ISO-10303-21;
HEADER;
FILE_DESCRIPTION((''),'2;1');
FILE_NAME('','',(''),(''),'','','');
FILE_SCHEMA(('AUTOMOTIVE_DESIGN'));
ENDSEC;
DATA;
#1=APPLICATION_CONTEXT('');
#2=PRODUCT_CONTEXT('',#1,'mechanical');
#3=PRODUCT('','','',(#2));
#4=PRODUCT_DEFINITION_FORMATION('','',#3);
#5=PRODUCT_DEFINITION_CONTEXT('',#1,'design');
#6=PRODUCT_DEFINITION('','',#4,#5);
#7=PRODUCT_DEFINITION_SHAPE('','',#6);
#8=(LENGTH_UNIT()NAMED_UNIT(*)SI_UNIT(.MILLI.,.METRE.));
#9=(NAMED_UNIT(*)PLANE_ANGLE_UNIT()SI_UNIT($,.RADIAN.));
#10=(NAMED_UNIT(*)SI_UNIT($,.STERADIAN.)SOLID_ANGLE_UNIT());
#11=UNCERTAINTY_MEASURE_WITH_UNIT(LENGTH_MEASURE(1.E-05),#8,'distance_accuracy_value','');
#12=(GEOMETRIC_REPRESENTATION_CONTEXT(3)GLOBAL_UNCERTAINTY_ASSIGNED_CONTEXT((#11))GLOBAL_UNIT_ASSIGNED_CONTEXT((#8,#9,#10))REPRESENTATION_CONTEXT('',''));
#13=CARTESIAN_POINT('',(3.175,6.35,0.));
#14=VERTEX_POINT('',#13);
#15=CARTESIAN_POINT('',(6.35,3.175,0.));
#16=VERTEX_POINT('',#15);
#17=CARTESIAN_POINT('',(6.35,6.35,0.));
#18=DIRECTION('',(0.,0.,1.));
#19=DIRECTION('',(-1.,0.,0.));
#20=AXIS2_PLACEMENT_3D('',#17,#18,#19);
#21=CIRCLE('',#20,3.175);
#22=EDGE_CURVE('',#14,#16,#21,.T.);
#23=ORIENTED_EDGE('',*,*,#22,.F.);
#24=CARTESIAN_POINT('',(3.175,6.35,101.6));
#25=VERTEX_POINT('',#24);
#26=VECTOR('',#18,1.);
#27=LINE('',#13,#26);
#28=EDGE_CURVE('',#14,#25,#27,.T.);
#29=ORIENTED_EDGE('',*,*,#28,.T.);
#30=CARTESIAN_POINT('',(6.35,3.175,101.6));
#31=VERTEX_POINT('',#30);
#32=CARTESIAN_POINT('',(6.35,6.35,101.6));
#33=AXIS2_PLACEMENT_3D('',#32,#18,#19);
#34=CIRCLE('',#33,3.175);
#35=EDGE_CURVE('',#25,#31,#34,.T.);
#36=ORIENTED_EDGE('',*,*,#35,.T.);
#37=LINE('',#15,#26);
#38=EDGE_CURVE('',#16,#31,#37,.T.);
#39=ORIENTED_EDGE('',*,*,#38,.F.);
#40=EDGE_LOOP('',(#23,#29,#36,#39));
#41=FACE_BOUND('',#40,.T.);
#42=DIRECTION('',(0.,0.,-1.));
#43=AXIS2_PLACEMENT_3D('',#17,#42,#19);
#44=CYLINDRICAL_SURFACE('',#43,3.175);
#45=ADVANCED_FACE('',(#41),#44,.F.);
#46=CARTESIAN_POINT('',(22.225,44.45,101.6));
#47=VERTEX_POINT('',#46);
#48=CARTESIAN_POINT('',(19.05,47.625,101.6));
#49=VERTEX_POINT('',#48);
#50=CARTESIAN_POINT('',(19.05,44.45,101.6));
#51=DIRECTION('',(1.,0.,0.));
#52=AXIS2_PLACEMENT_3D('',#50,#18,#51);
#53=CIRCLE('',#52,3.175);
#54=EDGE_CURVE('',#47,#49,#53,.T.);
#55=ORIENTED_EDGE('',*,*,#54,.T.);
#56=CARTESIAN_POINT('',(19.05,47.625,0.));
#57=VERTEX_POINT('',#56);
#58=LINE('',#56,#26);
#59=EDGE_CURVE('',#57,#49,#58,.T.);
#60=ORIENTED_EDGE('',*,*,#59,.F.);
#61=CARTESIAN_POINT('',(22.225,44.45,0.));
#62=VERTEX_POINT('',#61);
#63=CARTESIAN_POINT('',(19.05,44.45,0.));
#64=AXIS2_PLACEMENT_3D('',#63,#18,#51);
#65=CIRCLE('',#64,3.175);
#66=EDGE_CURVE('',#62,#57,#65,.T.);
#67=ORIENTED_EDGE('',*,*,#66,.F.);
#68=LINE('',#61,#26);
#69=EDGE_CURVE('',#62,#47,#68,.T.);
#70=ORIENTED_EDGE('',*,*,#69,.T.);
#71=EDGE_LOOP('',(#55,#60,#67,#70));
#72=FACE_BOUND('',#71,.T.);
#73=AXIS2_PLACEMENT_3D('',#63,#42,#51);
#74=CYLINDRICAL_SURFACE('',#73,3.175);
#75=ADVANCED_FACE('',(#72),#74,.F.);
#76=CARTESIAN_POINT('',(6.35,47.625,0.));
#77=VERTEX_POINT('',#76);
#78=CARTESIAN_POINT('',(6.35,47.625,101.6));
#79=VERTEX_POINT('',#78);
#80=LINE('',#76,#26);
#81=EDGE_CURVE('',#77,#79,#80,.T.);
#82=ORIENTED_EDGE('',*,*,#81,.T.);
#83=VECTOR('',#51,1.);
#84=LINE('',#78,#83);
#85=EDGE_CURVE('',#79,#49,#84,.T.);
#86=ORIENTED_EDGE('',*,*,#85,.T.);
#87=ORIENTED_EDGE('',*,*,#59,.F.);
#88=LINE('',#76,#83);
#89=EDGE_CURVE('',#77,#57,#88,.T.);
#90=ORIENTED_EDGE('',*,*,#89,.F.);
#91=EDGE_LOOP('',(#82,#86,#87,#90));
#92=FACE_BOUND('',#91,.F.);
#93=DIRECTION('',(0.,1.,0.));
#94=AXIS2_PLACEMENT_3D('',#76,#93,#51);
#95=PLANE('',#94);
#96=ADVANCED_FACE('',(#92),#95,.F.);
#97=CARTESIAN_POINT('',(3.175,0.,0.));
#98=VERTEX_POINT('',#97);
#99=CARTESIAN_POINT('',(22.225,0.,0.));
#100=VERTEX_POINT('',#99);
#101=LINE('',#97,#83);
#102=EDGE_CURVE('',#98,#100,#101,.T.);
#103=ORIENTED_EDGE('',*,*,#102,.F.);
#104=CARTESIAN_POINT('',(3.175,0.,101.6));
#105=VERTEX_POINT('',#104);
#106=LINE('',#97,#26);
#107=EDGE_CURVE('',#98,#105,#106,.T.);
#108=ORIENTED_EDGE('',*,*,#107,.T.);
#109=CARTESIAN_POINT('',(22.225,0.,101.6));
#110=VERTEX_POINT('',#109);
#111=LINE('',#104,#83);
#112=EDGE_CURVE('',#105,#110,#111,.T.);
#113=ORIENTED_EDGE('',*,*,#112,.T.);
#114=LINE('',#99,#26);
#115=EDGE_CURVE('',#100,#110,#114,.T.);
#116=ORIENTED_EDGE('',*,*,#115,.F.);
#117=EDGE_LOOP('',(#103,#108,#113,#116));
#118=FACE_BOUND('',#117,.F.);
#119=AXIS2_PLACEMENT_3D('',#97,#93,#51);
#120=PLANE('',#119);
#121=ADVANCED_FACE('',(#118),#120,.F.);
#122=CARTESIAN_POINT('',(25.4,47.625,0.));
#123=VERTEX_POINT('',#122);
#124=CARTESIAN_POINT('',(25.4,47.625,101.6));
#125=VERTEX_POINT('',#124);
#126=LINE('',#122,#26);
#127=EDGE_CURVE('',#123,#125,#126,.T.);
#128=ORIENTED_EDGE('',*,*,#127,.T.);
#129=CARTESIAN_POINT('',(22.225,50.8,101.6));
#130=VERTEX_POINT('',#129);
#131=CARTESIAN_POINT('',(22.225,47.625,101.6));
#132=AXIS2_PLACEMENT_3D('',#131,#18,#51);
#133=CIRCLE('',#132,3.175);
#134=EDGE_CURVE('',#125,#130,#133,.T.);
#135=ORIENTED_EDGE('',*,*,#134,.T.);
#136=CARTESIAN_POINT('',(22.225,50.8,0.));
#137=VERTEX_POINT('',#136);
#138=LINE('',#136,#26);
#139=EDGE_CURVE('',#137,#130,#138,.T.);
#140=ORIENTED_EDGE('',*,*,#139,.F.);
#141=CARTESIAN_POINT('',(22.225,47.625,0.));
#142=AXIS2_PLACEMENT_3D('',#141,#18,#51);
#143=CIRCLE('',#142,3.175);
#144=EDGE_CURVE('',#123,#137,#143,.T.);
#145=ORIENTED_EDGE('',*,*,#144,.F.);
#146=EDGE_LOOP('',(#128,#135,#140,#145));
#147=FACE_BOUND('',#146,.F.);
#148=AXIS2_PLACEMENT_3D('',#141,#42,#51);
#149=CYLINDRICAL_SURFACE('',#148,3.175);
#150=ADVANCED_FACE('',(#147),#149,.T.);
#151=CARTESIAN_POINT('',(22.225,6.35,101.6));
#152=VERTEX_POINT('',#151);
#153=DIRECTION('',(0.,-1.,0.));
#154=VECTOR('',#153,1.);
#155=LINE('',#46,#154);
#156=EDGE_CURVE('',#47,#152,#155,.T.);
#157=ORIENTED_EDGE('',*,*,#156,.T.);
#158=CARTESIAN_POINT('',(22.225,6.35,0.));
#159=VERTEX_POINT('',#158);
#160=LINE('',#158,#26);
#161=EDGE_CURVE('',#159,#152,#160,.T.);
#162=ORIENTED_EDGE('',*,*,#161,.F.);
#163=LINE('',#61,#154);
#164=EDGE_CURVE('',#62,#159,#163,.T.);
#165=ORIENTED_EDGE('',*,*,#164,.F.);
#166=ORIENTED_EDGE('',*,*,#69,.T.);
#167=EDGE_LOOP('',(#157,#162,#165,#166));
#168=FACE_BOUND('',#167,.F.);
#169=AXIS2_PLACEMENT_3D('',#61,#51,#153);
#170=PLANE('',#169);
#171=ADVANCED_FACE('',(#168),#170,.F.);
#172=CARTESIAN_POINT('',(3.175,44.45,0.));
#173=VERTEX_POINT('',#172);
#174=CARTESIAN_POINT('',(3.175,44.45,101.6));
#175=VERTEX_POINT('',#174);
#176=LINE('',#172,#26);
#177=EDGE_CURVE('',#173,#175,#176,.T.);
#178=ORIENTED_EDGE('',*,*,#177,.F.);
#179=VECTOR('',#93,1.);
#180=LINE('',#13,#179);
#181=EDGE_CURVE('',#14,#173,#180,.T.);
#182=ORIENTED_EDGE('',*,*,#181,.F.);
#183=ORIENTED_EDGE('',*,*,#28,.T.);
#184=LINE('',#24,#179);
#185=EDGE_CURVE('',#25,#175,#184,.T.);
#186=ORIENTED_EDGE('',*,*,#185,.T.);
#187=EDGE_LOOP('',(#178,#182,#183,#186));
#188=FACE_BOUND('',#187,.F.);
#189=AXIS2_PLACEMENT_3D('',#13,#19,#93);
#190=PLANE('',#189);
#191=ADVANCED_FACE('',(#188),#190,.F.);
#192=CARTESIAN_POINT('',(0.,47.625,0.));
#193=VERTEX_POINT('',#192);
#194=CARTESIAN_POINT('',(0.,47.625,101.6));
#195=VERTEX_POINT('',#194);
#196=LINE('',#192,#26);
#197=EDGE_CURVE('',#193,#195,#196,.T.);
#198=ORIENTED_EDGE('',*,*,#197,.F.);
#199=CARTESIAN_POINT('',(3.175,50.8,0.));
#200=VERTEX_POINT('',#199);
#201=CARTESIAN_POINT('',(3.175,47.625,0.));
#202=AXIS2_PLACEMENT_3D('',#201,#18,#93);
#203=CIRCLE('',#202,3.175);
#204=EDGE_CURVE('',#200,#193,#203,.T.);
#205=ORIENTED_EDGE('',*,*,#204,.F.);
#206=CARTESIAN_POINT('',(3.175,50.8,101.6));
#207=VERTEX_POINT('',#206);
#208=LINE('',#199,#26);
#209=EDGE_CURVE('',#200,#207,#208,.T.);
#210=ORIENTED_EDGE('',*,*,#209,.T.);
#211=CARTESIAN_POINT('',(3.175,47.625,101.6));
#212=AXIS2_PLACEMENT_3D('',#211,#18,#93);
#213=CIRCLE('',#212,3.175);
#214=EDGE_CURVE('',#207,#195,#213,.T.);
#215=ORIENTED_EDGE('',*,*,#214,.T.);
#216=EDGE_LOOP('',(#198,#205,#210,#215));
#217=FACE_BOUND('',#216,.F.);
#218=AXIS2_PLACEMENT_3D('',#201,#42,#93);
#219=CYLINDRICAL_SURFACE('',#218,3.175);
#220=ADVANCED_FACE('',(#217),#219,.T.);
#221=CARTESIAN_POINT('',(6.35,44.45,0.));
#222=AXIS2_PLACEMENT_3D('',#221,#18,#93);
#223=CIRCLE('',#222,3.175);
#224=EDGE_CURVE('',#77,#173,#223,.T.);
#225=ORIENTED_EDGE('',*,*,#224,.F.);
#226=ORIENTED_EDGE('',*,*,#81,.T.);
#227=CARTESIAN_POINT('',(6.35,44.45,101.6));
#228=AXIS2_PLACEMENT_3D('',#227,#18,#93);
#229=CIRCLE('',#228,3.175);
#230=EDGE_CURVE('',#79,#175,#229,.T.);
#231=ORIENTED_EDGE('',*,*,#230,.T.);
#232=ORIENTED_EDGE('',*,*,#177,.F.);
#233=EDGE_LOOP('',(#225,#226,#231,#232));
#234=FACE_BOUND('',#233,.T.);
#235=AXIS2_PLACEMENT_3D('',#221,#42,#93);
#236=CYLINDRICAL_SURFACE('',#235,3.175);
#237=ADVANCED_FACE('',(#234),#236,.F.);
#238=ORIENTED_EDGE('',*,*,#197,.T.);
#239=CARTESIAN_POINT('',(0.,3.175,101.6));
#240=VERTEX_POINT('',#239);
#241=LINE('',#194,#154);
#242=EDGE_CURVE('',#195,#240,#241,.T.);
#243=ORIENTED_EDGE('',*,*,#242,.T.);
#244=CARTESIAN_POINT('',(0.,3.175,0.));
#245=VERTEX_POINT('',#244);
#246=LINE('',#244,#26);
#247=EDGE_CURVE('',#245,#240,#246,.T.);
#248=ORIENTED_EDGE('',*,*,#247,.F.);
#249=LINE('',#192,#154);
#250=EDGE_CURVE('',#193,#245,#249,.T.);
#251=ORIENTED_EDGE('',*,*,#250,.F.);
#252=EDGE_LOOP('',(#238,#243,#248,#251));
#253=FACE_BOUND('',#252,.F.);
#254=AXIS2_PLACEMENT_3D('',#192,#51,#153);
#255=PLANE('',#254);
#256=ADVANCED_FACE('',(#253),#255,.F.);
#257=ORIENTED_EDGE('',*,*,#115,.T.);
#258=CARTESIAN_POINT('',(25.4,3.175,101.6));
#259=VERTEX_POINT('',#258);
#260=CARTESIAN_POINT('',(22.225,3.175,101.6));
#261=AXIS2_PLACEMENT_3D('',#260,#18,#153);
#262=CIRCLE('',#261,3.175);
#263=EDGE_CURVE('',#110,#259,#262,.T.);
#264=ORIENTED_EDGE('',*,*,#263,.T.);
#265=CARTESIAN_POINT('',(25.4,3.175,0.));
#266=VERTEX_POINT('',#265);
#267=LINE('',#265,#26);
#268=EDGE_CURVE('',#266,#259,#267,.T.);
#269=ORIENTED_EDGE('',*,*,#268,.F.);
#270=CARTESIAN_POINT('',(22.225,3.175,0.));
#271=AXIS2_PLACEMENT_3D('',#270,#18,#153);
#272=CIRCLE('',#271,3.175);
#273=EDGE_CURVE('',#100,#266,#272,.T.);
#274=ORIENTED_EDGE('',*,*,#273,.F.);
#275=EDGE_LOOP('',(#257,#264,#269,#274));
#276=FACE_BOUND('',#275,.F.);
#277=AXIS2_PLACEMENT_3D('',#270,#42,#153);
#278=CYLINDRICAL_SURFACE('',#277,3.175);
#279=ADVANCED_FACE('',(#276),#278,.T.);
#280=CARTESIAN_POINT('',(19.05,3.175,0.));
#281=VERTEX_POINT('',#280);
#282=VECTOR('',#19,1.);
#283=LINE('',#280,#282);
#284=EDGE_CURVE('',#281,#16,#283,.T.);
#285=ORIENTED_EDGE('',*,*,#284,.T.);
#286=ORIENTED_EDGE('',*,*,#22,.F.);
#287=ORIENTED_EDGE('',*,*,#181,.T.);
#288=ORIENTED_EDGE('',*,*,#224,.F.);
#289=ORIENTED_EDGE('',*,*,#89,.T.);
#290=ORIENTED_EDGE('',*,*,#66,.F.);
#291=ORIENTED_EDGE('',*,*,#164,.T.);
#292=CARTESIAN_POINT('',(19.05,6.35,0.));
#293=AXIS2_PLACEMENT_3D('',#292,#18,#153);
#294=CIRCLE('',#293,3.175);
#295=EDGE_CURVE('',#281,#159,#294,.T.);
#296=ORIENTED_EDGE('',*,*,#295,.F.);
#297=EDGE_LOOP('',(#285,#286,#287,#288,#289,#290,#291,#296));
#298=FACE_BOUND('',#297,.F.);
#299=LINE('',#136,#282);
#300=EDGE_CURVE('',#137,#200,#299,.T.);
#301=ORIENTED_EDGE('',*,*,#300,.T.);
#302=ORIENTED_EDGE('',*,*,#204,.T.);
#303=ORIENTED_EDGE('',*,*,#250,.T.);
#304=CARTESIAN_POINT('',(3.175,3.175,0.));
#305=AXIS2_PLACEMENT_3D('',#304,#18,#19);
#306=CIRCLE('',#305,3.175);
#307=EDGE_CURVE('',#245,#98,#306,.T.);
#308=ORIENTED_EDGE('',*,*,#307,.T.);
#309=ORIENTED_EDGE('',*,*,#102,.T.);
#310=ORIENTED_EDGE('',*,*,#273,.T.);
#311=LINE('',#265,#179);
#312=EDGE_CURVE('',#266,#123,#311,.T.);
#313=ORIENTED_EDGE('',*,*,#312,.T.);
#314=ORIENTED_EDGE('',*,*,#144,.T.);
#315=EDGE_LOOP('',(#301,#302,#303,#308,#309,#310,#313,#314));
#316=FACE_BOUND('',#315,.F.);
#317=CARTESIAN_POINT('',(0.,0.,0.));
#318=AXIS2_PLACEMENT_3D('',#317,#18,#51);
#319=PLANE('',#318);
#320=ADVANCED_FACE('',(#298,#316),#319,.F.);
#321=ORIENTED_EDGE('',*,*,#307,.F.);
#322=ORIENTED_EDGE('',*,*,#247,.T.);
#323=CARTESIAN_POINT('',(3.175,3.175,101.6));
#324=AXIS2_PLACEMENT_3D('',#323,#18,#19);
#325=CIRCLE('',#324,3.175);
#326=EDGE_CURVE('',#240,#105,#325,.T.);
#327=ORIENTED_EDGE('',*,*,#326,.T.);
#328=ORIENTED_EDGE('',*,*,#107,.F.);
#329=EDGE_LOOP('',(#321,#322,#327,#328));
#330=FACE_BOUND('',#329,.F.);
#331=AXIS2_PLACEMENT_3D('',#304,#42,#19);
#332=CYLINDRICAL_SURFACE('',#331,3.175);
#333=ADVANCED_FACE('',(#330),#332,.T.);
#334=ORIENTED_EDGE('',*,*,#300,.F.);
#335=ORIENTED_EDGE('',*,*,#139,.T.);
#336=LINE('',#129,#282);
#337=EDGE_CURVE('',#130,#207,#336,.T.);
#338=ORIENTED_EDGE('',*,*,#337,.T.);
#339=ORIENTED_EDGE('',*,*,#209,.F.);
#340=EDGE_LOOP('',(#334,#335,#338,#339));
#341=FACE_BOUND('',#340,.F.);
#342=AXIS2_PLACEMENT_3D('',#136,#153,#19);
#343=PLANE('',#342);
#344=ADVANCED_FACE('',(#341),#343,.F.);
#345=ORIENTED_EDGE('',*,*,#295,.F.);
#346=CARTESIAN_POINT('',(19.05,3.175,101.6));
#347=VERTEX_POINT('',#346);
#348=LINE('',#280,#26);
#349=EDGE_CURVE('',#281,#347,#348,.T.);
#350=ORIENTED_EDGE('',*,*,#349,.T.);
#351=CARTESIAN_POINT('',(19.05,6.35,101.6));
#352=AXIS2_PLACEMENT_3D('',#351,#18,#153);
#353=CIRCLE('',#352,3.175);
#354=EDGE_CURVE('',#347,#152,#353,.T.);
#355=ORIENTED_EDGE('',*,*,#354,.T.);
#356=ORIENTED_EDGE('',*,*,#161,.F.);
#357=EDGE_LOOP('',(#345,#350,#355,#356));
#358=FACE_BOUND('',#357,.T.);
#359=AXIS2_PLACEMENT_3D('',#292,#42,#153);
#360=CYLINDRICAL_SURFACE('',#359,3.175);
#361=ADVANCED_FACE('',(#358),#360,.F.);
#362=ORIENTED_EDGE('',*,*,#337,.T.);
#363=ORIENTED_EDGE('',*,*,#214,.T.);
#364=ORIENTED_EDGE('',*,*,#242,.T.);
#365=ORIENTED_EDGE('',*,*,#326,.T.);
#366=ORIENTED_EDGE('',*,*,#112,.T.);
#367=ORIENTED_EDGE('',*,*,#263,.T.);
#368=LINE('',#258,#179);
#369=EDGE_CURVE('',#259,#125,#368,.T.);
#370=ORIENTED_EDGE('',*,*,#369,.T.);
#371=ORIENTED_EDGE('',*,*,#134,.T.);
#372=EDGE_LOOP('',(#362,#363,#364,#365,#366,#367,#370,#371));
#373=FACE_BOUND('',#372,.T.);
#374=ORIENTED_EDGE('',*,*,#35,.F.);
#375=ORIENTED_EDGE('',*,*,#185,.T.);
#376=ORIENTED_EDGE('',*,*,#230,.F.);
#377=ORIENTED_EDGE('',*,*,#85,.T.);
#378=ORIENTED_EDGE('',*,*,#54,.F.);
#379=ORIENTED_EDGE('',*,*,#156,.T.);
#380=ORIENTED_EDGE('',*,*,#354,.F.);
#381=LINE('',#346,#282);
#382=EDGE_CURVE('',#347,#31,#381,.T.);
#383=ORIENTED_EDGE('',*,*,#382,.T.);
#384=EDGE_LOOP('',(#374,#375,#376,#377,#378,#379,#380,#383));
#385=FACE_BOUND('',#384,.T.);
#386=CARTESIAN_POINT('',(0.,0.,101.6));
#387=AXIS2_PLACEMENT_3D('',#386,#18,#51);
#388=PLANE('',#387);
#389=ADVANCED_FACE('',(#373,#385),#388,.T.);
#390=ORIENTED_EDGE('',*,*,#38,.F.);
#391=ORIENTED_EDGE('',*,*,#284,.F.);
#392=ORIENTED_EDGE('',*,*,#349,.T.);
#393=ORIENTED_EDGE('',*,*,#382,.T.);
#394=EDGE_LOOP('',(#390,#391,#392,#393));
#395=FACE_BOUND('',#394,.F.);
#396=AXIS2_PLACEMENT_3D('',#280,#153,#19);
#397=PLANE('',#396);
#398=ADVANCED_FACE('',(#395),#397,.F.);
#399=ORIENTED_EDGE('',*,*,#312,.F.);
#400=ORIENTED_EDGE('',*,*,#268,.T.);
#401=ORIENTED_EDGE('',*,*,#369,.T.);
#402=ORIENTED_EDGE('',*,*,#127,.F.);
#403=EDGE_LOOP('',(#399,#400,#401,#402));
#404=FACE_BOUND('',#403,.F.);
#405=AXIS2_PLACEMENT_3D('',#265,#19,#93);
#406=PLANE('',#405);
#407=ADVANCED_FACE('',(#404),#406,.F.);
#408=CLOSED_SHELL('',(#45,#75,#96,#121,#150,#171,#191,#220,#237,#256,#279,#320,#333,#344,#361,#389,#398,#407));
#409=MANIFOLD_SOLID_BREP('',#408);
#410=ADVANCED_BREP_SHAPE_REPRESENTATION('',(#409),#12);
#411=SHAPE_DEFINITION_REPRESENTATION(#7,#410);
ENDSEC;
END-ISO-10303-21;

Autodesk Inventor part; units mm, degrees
ref_plane "YZ Plane" through (0, 0, 0) normal (1, 0, 0) x (0, 1, 0)
ref_plane "XZ Plane" through (0, 0, 0) normal (0, 1, 0) x (-1, 0, 0)
ref_plane "XY Plane" through (0, 0, 0) normal (0, 0, 1) x (1, 0, 0)
sketch "Sketch1" plane through (0, 0, 0) normal (0, 0, 1) x (1, 0, 0)
  line L0 (3.175, 0) -> (22.225, 0)
  line L1 (25.4, 3.175) -> (25.4, 47.625)
  line L2 (22.225, 50.8) -> (3.175, 50.8)
  line L3 (0, 47.625) -> (0, 3.175)
  arc A0 (3.175, 50.8) -> (0, 47.625) centre (3.175, 47.625) ccw
  arc A1 (25.4, 47.625) -> (22.225, 50.8) centre (22.225, 47.625) ccw
  arc A2 (22.225, 0) -> (25.4, 3.175) centre (22.225, 3.175) ccw
  arc A3 (0, 3.175) -> (3.175, 0) centre (3.175, 3.175) ccw
  line L4 (6.35, 47.625) -> (19.05, 47.625)
  line L5 (22.225, 44.45) -> (22.225, 6.35)
  line L6 (19.05, 3.175) -> (6.35, 3.175)
  line L7 (3.175, 6.35) -> (3.175, 44.45)
  arc A4 (6.35, 47.625) -> (3.175, 44.45) centre (6.35, 44.45) ccw
  arc A5 (22.225, 44.45) -> (19.05, 47.625) centre (19.05, 44.45) ccw
  arc A6 (3.175, 6.35) -> (6.35, 3.175) centre (6.35, 6.35) ccw
  arc A7 (19.05, 3.175) -> (22.225, 6.35) centre (19.05, 6.35) ccw
  point P0 (0, 0)
  point P1 (25.4, 0)
  point P2 (0, 50.8)
  dimension "d0" = 50.8
  dimension "d1" = 25.4
  dimension "d2" = 3.175
  dimension "d3" = 3.175
  dimension "d4" = 3.175
  dimension "d5" = 3.175
  dimension "d6" = 3.175
  dimension "d7" = 3.175
  dimension "d8" = 3.175
  dimension "d9" = 3.175
  dimension "d10" = 3.175
extrude "Extrusion1" add sketch "Sketch1" along normal blind 101.6
properties part number "O channel 4 inch"
